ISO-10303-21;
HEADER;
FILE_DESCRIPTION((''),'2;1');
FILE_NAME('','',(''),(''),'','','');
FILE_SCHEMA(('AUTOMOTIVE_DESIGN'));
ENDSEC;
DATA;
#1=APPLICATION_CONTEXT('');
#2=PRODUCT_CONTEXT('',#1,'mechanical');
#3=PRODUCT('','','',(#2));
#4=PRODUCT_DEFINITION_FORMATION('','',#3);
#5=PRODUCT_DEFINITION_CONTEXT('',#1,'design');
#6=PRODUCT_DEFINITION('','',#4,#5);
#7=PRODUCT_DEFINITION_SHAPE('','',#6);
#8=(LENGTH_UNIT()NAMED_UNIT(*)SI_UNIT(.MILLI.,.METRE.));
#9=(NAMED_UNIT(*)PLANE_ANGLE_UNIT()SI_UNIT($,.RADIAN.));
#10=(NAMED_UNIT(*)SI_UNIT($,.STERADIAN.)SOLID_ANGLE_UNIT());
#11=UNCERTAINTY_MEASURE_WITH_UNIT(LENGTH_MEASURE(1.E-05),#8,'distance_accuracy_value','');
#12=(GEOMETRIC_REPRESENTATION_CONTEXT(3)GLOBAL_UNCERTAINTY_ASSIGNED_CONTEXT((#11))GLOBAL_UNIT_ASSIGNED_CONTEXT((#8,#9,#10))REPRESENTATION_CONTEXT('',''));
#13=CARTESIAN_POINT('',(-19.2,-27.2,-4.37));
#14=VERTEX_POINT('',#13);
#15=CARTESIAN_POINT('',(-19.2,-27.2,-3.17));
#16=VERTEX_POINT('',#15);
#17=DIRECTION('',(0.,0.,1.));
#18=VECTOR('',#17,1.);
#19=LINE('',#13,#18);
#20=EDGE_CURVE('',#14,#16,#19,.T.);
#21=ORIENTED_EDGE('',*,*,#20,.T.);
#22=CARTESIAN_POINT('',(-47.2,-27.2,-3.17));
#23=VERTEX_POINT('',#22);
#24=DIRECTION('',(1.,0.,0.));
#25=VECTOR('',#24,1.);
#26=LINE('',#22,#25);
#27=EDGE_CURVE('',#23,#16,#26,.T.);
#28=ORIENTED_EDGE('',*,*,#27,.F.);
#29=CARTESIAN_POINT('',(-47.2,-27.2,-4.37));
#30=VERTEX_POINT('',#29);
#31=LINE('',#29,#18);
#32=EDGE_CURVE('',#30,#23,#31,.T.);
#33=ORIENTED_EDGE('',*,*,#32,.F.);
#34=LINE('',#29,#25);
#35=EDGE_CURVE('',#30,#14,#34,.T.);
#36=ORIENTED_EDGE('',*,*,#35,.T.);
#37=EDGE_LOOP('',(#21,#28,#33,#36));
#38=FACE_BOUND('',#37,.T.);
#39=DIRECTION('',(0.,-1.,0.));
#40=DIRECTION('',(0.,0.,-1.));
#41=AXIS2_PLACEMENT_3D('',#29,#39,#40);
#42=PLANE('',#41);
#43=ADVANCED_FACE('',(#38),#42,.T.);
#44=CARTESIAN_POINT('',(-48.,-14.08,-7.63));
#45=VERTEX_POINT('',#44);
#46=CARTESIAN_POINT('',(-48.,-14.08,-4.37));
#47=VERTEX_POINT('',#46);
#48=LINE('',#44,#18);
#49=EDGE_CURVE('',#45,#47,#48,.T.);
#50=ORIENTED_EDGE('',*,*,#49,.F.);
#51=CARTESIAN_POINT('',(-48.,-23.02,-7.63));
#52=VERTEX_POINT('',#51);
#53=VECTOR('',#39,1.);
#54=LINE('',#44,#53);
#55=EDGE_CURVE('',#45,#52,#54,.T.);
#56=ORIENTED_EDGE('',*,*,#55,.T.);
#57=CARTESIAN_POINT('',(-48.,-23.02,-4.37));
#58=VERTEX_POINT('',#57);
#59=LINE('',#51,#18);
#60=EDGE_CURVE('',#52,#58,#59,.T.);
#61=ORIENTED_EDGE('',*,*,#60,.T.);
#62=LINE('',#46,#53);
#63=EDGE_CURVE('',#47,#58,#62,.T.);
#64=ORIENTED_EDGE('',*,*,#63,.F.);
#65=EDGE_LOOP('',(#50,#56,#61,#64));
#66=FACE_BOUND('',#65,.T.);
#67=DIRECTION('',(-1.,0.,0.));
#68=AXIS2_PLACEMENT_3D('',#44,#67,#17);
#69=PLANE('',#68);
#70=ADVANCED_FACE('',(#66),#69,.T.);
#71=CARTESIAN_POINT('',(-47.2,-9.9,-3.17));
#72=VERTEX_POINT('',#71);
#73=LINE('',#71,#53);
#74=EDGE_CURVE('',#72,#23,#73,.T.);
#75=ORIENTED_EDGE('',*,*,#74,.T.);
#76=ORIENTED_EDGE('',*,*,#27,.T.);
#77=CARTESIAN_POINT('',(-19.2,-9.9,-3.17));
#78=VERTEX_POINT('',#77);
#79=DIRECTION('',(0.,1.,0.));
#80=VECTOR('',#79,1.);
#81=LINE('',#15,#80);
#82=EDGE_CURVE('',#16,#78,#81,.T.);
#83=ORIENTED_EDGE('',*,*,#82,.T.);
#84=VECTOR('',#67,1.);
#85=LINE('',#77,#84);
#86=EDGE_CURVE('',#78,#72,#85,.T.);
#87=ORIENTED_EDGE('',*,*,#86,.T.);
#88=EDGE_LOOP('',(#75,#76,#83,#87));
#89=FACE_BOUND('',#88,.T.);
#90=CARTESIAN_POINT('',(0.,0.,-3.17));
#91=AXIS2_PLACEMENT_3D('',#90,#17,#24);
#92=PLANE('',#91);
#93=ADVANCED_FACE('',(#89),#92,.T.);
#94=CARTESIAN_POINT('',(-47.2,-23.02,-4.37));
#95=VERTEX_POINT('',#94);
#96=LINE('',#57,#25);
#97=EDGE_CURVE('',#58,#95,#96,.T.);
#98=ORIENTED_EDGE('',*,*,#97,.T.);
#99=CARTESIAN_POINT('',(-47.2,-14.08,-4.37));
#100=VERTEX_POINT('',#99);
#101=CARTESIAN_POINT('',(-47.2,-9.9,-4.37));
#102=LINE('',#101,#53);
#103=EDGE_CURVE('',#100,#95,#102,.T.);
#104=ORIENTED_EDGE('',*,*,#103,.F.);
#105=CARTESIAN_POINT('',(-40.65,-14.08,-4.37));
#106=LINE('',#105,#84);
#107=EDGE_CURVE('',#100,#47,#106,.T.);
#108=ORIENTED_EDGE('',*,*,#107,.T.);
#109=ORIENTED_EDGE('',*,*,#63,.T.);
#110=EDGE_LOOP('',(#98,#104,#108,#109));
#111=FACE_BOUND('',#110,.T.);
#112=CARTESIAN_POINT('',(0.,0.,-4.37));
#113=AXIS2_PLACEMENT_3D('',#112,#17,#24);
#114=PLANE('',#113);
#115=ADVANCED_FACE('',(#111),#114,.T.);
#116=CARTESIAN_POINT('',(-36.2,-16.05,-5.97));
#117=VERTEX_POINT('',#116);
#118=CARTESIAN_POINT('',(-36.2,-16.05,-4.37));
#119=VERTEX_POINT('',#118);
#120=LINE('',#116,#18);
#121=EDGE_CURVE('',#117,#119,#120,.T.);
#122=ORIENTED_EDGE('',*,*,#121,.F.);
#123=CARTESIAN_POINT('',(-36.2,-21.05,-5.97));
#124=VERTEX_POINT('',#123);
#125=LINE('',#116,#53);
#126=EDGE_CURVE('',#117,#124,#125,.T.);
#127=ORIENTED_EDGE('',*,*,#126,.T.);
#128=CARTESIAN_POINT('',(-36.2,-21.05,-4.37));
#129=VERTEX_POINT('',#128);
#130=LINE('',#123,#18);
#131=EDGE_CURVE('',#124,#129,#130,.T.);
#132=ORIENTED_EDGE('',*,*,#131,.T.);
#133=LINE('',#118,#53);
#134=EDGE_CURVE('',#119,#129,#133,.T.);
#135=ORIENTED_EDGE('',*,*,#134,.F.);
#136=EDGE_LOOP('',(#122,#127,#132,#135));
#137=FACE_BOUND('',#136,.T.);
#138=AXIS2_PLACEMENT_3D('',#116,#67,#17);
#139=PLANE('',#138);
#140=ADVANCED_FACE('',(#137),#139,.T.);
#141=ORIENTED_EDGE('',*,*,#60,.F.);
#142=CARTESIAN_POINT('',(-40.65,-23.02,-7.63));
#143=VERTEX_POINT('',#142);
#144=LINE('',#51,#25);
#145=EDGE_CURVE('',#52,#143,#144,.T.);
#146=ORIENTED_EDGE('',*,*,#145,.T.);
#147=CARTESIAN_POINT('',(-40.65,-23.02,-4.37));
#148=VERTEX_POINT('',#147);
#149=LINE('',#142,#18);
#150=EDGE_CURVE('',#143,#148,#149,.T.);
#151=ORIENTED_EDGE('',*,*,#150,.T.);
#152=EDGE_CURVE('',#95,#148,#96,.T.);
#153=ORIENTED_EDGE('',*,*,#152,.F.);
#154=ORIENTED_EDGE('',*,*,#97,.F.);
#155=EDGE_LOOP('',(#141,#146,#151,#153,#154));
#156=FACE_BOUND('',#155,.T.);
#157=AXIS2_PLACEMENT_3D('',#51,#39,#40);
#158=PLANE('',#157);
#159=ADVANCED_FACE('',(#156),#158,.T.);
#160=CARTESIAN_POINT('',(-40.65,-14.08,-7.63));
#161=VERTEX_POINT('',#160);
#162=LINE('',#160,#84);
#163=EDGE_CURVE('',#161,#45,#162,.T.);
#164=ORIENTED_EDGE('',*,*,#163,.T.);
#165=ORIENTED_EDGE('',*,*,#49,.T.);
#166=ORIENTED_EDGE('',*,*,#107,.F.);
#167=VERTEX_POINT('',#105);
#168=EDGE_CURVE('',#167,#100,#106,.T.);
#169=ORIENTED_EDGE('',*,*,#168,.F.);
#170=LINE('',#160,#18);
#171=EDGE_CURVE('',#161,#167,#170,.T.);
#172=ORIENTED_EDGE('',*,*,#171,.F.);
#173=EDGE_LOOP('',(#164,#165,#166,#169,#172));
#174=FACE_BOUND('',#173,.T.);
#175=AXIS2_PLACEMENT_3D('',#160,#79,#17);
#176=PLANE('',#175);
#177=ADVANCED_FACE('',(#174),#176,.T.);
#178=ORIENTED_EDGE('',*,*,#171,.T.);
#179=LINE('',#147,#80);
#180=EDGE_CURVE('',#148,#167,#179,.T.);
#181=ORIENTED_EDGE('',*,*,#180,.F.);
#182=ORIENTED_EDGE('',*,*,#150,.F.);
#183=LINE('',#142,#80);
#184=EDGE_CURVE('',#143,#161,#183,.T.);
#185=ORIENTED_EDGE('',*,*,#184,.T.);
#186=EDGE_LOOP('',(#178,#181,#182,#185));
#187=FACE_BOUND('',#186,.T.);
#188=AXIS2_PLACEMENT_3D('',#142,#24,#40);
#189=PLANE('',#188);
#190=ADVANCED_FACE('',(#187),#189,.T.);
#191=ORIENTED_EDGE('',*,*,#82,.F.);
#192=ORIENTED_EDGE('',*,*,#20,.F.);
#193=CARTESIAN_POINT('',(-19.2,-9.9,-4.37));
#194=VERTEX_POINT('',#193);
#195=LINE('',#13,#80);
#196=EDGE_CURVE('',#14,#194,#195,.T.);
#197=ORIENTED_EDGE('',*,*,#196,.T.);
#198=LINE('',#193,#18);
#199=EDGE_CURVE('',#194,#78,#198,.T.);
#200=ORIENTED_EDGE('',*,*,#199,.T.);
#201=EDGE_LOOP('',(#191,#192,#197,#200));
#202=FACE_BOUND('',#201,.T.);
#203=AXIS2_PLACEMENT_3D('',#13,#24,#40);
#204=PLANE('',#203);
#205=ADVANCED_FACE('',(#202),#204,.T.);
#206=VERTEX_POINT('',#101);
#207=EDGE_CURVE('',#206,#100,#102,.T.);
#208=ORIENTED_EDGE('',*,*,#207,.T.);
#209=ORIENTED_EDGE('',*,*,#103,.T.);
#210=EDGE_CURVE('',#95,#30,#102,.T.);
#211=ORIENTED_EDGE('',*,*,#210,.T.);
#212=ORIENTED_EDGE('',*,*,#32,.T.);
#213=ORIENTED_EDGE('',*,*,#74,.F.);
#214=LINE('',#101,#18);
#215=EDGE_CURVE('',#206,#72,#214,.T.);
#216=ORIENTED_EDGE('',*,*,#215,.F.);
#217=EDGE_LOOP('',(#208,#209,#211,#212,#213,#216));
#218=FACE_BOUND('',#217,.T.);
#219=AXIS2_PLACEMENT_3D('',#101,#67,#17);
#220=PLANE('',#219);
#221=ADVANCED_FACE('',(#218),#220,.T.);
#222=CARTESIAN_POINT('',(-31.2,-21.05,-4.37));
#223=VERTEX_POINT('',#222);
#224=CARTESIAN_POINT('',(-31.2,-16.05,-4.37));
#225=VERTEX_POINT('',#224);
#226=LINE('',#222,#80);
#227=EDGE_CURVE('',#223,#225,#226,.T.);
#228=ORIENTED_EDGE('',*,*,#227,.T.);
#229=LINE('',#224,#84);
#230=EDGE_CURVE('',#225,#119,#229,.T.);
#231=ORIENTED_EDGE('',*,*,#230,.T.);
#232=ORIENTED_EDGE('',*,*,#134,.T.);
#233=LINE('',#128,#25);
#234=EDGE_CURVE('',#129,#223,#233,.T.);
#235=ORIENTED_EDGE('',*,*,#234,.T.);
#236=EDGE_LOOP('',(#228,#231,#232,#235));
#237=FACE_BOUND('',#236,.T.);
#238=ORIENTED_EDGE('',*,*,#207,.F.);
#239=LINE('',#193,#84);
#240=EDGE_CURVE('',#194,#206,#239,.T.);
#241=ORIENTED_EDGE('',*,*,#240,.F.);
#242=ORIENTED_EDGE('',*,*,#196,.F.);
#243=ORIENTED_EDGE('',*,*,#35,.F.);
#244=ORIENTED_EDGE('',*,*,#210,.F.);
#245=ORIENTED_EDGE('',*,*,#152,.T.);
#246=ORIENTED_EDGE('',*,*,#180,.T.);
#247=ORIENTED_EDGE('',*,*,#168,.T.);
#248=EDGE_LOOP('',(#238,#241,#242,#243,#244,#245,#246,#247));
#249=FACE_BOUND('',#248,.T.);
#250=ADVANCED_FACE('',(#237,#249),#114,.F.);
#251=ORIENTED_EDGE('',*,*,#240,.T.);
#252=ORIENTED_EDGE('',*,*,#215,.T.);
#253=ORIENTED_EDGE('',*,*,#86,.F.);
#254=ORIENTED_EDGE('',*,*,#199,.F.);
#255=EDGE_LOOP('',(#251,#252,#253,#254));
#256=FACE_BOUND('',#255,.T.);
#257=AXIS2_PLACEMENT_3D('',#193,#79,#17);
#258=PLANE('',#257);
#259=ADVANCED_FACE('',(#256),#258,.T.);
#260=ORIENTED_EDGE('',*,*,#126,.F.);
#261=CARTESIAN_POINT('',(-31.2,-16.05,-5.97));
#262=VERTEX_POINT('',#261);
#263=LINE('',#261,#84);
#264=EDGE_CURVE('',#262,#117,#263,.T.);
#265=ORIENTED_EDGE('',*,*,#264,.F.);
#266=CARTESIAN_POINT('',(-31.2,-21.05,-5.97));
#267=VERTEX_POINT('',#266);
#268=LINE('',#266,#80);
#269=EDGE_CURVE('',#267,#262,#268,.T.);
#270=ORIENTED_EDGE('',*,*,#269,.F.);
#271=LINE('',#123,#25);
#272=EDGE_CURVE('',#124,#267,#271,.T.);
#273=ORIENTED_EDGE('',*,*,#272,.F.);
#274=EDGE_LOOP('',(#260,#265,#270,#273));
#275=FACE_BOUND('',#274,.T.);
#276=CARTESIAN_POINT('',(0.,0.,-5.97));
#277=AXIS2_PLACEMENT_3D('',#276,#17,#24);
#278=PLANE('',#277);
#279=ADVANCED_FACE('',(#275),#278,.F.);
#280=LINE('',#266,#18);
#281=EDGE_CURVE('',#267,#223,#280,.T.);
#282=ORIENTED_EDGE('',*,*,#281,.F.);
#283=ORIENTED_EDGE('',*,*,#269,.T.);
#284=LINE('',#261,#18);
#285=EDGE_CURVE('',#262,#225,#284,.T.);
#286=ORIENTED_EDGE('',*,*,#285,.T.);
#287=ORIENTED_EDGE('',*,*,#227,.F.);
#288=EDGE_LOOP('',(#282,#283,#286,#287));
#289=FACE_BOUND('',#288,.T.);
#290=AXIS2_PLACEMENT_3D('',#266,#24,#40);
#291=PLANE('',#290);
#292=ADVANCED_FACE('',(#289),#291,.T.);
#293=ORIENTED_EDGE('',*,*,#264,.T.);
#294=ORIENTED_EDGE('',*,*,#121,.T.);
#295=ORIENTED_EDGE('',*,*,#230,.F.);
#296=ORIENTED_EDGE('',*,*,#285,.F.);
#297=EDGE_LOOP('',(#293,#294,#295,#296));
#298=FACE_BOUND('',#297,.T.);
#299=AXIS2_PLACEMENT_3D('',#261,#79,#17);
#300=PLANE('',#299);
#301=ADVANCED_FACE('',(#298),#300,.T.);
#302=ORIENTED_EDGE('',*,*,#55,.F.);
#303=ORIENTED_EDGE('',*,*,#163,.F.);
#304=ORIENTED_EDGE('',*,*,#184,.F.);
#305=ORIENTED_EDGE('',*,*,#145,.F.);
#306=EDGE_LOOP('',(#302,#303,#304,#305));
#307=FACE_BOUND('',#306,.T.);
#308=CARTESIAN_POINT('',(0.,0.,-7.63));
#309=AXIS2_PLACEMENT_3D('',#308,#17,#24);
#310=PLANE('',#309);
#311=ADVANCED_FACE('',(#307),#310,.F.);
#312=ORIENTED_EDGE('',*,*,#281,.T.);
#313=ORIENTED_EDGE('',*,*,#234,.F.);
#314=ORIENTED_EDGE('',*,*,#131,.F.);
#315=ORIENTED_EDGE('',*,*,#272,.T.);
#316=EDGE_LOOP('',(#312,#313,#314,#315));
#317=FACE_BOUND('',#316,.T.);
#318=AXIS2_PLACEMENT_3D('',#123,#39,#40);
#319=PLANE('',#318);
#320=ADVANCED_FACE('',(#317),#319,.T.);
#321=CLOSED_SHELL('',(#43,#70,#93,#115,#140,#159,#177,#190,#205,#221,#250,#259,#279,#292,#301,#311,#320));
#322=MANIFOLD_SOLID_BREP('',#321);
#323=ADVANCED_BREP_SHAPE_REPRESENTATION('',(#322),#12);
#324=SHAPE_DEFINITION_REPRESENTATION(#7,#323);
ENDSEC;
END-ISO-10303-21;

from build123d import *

# Parameters (mm, degrees)
PCB_SK1_W   = 28
PCB_SK1_H   = 17.3
PCB_DEPTH   = 1.2
USB_C_SK2_W = 7.35
USB_C_SK2_H = 8.94
USB_C_DEPTH = 3.26
CHIP_SK3_W  = 5
CHIP_SK3_H  = 5
CHIP_DEPTH  = 1.6


with BuildPart() as part:
    # PCB_Sk1 → PCB (new body)
    with BuildSketch(Plane.XY.offset(-3.17)):
        with Locations((-33.2, -18.55)):
            Rectangle(PCB_SK1_W, PCB_SK1_H)
    extrude(amount=-PCB_DEPTH)

    # USB_C_Sk2 → USB_C (add)
    with BuildSketch(Plane.XY.offset(-4.37)):
        with Locations((-44.325, -18.55)):
            Rectangle(USB_C_SK2_W, USB_C_SK2_H)
    extrude(amount=-USB_C_DEPTH)

    # Chip_Sk3 → Chip (add)
    with BuildSketch(Plane.XY.offset(-4.37)):
        with Locations((-33.7, -18.55)):
            Rectangle(CHIP_SK3_W, CHIP_SK3_H)
    extrude(amount=-CHIP_DEPTH)


solid = part.part
